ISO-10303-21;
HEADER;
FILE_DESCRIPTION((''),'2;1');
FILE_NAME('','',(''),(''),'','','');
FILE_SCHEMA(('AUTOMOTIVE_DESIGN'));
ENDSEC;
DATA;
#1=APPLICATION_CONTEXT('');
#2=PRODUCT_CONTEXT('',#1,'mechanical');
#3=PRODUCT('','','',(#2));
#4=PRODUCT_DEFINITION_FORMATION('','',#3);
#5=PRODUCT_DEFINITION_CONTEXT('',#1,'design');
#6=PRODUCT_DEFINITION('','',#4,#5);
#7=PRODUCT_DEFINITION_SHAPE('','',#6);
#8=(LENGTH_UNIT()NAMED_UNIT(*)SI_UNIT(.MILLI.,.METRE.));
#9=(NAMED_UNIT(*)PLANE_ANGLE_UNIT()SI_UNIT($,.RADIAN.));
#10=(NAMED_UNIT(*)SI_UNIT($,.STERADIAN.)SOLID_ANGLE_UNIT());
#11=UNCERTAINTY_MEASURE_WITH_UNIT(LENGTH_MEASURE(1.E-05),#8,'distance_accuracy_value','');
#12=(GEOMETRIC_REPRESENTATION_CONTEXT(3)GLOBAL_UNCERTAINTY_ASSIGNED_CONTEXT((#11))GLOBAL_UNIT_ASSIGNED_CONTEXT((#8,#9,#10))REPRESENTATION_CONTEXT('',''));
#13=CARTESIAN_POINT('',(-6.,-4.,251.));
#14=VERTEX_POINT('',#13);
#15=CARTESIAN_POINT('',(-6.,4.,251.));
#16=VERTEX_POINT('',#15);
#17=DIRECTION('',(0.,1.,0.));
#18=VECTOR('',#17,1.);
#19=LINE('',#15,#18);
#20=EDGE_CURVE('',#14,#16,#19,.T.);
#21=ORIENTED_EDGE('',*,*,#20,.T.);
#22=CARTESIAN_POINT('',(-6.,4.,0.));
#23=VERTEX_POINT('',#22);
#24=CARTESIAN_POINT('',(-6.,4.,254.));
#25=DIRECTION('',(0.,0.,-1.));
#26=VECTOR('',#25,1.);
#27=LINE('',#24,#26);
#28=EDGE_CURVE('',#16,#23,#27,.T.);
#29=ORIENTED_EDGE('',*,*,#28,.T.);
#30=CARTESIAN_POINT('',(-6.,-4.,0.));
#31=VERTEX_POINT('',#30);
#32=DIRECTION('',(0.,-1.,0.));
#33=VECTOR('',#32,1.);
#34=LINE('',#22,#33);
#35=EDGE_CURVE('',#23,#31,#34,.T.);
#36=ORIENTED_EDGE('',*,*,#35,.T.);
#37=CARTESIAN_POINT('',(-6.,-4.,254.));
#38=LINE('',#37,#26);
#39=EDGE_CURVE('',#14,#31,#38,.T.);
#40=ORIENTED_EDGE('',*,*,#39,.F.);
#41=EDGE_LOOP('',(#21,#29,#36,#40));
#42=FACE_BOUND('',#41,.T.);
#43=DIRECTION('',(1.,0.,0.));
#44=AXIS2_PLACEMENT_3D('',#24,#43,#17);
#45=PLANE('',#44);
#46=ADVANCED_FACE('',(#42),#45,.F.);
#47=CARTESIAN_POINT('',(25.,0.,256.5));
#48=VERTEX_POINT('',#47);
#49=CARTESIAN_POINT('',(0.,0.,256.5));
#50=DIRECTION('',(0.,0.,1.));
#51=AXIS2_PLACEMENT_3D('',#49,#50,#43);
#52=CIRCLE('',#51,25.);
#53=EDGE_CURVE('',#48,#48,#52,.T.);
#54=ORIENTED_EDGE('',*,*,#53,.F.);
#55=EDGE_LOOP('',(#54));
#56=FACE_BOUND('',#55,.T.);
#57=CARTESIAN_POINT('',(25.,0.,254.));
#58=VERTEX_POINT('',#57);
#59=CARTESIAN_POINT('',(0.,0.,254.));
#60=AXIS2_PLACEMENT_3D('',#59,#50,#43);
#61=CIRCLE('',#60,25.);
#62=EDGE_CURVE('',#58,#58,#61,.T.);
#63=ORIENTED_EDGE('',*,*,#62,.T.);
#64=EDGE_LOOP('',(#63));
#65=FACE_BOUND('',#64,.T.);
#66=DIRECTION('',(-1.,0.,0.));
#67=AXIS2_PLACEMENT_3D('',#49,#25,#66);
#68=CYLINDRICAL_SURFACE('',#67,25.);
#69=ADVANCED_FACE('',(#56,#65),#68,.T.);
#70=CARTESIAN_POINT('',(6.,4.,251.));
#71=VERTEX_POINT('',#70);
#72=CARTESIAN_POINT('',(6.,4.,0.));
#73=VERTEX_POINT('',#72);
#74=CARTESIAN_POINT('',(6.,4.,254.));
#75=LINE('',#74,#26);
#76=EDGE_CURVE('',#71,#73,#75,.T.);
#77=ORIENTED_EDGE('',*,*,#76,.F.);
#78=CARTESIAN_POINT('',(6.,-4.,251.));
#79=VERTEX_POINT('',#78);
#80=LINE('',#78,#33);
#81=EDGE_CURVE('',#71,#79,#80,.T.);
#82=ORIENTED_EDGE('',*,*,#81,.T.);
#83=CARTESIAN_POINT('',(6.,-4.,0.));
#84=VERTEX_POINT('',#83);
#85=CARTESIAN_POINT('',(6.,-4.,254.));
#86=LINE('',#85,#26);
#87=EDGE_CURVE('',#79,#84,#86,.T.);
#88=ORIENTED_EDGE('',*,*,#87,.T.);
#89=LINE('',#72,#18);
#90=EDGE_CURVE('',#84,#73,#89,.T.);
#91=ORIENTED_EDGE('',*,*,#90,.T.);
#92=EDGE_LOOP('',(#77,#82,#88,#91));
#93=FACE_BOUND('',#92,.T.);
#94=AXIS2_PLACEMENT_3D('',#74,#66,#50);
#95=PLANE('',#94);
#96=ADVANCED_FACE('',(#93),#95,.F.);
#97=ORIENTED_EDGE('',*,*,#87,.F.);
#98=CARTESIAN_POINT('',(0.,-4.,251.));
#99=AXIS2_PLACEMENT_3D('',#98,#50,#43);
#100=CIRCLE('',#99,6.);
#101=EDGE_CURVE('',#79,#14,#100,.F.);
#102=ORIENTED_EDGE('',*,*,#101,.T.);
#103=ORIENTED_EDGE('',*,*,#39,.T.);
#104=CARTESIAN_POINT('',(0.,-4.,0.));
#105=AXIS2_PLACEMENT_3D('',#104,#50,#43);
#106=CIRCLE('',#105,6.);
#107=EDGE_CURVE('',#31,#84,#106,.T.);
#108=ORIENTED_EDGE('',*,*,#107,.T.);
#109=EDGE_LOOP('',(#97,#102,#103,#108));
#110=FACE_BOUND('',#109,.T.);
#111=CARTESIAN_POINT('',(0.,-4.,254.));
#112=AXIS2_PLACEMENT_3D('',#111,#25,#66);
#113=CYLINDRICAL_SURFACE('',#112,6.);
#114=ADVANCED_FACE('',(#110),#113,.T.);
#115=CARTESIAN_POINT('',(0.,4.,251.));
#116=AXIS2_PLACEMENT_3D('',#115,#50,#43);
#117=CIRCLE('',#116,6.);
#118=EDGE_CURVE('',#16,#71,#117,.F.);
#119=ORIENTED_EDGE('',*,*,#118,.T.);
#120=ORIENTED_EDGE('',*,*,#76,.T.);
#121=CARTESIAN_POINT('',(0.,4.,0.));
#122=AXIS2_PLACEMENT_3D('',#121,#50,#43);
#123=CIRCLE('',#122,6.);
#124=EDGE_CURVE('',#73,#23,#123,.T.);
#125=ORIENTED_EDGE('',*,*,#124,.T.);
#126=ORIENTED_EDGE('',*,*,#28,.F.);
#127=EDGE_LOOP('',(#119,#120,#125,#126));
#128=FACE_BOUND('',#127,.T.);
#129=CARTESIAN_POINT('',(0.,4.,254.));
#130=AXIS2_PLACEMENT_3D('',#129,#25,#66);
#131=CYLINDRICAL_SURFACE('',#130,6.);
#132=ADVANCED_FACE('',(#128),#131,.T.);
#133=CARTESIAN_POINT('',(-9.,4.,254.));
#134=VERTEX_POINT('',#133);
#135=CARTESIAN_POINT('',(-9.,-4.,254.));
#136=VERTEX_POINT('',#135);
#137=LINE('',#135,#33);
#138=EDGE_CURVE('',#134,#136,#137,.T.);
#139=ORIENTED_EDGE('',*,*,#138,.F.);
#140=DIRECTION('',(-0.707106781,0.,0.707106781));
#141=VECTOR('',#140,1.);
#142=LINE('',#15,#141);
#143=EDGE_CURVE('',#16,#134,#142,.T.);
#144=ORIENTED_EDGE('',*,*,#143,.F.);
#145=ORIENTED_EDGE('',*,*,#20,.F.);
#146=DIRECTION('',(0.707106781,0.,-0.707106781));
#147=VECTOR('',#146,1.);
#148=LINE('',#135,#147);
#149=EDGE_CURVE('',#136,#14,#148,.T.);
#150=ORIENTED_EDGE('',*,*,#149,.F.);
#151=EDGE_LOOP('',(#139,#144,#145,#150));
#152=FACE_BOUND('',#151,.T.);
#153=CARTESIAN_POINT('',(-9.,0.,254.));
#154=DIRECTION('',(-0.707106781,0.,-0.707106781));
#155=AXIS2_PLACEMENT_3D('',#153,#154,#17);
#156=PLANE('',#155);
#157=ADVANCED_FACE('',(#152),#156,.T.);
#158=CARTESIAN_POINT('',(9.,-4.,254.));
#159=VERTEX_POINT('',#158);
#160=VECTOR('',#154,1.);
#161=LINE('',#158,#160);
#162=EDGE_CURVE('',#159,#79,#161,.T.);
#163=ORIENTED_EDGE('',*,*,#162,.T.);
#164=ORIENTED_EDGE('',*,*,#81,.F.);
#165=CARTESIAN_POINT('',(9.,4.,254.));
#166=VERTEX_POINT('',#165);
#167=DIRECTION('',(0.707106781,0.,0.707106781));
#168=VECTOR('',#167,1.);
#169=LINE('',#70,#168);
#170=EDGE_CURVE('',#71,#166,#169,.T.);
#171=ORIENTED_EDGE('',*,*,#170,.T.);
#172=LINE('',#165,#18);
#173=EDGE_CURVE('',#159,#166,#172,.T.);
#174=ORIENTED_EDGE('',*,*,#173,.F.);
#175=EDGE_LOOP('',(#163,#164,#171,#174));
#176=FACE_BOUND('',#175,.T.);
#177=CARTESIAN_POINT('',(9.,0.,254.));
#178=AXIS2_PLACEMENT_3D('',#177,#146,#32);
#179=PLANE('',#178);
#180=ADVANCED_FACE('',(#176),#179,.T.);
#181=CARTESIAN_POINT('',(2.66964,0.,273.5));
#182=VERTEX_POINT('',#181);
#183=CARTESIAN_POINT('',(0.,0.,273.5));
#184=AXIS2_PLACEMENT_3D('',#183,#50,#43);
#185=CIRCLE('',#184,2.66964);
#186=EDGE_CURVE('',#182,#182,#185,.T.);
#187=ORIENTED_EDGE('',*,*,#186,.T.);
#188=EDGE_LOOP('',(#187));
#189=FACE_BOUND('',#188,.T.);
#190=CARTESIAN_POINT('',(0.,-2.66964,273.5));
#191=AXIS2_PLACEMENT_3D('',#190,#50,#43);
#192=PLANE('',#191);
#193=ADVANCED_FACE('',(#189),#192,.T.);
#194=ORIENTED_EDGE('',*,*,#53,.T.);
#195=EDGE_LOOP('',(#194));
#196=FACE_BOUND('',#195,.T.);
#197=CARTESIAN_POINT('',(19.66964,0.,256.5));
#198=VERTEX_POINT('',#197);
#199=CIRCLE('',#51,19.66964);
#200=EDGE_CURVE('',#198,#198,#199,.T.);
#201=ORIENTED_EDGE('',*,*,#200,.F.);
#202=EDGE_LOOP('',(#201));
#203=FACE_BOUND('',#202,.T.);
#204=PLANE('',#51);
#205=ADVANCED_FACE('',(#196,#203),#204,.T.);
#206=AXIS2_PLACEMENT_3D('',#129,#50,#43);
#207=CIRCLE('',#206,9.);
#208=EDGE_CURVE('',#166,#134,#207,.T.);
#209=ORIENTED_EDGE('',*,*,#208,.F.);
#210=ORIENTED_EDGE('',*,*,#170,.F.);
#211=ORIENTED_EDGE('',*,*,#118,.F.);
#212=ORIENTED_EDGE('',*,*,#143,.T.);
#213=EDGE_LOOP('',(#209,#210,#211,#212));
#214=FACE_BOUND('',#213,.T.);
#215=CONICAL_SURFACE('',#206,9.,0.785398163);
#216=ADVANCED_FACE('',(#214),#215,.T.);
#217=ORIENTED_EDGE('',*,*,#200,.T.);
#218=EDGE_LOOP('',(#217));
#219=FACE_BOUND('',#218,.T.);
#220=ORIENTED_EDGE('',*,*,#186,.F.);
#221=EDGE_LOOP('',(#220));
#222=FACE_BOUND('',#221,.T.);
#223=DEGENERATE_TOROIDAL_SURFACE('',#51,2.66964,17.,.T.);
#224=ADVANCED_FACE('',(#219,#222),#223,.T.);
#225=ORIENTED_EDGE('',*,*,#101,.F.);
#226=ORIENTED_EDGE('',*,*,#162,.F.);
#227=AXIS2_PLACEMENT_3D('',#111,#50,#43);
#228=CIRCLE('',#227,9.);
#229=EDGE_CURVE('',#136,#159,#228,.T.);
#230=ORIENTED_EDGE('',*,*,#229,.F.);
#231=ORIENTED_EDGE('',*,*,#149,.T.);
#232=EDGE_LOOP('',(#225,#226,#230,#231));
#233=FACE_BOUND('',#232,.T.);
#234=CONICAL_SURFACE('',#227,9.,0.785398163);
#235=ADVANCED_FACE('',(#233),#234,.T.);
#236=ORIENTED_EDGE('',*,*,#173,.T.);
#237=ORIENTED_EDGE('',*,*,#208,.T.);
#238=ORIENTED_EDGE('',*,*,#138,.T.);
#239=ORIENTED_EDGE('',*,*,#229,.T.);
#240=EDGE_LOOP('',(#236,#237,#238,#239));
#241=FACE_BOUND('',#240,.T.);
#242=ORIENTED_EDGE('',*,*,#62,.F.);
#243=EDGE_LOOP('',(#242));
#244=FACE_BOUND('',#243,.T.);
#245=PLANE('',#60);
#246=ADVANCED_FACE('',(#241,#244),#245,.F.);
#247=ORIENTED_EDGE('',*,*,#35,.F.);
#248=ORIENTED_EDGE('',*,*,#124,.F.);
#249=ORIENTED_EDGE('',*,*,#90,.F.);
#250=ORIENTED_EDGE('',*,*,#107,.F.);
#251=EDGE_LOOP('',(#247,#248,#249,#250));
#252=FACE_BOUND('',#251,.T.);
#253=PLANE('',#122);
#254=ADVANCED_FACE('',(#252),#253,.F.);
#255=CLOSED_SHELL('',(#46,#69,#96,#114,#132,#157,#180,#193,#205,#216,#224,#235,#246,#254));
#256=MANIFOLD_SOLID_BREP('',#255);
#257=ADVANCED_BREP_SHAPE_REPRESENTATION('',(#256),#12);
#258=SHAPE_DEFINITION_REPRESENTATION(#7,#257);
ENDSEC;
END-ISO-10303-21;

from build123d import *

# Parameters (mm, degrees)
EXTRUDE_1_DEPTH = 254
SKETCH_3_R      = 25
EXTRUDE_2_DEPTH = 2.5
CHAMFER_1_SIZE  = 3


with BuildPart() as part:
    # 草图2 → 凸台-拉伸1 (new body)
    with BuildSketch(Plane.XY):
        with BuildLine():
            Line((6, 4), (6, -4))
            ThreePointArc((6, -4), (0, -10), (-6, -4))
            Line((-6, -4), (-6, 4))
            ThreePointArc((-6, 4), (0, 10), (6, 4))
        make_face()
    extrude(amount=EXTRUDE_1_DEPTH)

    # 草图3 → 凸台-拉伸2 (add)
    with BuildSketch(Plane.XY.offset(254)):
        Circle(SKETCH_3_R)
    extrude(amount=EXTRUDE_2_DEPTH)

    # 倒角1
    chamfer_1_edges = [part.edges().sort_by_distance(p)[0] for p in [
        (0, -10, 254),
        (6, 0, 254),
        (0, 10, 254),
        (-6, 0, 254),
    ]]
    chamfer(chamfer_1_edges, length=CHAMFER_1_SIZE)

    # 草图4 → 旋转1 (revolve)
    with BuildSketch(Plane(origin=(0, 0, 0), x_dir=(0, 0, -1), z_dir=(1, 0, 0))):
        with BuildLine():
            Line((-256.5, 0), (-256.5, -19.669640386))
            ThreePointArc((-256.5, -19.669640386), (-268.52081528, -14.690455667), (-273.5, -2.669640386))
            Line((-273.5, -2.669640386), (-273.5, 0))
            Line((-273.5, 0), (-256.5, 0))
        make_face()
    revolve(axis=Axis((0, 0, 273.5), (0, 0, -1)))


solid = part.part
